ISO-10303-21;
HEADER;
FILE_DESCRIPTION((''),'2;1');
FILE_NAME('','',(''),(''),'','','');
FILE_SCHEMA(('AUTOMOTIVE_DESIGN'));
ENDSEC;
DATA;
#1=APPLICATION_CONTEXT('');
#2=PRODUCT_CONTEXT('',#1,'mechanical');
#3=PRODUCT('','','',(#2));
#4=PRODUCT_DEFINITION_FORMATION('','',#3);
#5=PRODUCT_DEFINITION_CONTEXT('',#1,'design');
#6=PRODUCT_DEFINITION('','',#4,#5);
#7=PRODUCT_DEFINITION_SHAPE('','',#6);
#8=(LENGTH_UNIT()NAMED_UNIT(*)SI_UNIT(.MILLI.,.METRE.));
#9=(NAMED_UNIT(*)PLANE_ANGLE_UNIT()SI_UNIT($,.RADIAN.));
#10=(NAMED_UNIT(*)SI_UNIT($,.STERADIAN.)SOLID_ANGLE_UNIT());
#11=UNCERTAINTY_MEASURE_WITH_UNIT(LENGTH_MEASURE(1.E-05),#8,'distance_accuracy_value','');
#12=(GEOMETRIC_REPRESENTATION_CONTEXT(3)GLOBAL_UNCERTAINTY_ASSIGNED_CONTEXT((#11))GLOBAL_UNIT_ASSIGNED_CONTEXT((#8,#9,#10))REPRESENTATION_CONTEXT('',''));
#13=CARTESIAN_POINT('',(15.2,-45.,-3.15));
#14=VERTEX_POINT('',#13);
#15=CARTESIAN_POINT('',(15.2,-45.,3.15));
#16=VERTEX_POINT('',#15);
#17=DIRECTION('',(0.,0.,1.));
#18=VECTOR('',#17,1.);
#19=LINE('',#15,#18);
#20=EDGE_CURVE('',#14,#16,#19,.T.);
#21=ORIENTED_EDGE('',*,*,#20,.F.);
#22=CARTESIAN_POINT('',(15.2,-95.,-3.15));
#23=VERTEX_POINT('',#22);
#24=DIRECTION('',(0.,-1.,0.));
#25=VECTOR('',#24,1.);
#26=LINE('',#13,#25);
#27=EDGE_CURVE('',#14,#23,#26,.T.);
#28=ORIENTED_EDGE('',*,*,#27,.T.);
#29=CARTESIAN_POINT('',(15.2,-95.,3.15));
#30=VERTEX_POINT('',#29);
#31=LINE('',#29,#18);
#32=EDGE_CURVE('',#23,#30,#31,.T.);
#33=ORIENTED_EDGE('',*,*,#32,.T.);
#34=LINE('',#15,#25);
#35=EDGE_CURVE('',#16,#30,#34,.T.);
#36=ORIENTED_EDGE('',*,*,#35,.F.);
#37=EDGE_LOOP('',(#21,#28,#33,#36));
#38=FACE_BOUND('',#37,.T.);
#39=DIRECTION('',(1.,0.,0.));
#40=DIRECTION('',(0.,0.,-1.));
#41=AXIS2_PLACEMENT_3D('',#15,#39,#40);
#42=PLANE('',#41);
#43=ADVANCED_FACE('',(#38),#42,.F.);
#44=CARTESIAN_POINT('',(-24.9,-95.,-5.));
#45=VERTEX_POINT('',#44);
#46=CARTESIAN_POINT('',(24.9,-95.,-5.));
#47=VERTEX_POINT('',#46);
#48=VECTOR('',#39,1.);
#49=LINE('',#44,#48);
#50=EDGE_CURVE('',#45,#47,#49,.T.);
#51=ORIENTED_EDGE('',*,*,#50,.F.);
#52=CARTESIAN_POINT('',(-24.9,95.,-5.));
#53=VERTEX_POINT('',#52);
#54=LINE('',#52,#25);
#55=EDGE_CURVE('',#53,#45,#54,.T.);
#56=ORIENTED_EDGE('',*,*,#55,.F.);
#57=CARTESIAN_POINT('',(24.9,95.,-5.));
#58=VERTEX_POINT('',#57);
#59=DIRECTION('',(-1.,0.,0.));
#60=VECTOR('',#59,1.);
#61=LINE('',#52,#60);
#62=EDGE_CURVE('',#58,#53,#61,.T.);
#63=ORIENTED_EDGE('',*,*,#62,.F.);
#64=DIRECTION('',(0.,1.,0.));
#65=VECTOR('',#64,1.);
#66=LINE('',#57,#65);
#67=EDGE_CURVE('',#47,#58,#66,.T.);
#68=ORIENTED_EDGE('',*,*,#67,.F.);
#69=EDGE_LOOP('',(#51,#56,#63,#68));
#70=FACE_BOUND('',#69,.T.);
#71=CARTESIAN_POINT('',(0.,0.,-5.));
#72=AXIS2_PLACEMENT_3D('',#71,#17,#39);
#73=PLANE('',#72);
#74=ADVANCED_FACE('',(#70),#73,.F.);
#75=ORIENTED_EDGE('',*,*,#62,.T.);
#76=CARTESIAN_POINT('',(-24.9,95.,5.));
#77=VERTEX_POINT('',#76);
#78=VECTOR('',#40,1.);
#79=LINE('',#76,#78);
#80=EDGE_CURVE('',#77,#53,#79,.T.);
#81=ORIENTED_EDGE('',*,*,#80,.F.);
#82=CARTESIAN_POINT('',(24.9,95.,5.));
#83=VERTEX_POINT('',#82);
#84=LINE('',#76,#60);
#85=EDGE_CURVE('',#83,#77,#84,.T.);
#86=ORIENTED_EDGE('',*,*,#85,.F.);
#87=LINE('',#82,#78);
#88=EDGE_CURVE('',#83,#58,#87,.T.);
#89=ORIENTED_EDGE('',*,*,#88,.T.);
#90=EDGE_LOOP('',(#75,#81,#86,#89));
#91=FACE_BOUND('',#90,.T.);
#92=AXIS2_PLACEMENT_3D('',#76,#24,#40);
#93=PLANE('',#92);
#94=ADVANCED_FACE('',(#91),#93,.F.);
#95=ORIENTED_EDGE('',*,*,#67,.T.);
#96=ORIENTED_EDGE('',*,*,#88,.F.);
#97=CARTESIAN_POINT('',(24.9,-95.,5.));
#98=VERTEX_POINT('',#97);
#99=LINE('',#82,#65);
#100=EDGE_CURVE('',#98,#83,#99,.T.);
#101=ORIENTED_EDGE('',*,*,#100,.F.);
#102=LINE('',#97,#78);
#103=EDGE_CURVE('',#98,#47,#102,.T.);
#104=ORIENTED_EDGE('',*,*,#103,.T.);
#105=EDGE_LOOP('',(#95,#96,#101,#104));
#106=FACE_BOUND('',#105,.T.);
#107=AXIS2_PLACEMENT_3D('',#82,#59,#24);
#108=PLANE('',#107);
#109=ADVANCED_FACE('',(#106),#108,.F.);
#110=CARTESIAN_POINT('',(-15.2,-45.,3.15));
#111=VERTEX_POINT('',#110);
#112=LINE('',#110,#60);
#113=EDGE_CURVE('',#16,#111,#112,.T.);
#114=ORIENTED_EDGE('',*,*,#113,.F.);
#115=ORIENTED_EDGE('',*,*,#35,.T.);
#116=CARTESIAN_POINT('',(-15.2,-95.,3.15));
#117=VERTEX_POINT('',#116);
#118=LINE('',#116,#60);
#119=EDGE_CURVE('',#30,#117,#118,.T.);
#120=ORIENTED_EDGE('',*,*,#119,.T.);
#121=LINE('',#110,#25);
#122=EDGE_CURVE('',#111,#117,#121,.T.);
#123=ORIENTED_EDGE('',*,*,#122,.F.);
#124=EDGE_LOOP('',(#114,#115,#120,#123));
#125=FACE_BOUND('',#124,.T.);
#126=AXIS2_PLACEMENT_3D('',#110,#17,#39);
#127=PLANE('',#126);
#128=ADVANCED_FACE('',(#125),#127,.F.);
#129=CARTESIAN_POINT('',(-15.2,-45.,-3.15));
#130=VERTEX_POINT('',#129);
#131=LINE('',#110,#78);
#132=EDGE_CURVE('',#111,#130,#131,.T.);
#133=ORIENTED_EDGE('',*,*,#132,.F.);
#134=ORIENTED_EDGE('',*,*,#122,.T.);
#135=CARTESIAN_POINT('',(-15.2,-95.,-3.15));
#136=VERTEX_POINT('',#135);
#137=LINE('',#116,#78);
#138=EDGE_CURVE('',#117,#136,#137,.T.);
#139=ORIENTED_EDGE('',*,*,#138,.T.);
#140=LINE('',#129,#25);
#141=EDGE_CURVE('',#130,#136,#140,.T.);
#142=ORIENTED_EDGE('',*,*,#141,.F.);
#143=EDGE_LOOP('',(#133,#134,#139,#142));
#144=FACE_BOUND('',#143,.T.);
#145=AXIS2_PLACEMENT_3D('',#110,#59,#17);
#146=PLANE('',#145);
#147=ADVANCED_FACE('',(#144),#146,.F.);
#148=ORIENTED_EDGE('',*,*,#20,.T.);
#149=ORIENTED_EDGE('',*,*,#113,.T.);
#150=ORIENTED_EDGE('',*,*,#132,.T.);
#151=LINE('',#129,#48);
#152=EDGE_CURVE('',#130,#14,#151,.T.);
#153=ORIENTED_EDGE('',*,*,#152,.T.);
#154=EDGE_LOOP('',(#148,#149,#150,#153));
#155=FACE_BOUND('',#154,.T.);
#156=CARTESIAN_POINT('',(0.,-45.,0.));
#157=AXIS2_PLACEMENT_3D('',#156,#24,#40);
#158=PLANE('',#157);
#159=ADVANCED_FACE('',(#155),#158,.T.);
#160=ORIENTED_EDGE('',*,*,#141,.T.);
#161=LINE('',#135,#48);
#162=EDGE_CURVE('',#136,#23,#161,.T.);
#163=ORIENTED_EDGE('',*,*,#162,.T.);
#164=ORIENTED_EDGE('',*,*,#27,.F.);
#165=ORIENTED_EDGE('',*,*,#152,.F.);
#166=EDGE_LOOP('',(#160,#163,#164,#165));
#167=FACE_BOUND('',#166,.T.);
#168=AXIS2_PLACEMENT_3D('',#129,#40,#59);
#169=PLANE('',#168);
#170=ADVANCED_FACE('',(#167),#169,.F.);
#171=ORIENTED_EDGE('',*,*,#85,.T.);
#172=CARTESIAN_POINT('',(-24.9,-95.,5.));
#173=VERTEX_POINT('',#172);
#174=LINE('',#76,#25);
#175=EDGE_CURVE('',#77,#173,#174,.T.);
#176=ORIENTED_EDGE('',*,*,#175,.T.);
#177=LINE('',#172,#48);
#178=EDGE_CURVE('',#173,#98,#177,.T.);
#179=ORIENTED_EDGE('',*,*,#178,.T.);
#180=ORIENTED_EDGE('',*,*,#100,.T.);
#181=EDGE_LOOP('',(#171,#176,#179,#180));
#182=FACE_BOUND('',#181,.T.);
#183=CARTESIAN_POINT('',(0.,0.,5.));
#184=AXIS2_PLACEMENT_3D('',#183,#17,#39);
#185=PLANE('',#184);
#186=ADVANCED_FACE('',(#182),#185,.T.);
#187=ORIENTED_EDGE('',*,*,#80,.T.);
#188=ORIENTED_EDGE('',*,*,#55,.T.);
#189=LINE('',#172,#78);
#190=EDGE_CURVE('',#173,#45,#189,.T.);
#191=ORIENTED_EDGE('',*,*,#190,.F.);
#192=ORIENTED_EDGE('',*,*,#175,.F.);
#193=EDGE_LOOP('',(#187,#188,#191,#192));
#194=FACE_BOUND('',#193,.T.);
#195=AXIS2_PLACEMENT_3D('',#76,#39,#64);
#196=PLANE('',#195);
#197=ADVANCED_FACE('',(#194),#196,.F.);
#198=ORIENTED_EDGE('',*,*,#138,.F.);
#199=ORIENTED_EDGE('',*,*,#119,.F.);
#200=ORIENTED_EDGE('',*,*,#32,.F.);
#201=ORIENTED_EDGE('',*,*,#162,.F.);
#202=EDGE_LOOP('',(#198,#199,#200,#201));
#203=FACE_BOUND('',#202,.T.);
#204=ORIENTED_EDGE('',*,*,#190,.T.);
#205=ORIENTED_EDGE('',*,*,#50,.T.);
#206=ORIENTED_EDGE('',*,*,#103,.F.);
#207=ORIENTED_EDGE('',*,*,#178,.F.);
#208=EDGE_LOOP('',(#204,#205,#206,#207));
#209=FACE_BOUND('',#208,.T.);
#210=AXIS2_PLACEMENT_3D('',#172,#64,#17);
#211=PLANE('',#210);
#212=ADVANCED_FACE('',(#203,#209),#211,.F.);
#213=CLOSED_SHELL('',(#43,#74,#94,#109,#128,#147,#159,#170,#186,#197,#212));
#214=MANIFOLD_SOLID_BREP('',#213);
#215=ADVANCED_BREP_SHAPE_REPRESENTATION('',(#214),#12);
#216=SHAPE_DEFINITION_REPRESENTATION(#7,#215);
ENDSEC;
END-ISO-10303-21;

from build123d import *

# Parameters (mm, degrees)
SKETCH_1_W          = 49.8
SKETCH_1_H          = 190
EXTRUDE_1_DEPTH     = 5
SKETCH_3_W          = 30.4
SKETCH_3_H          = 6.3
CUT_EXTRUDE_1_DEPTH = 50


with BuildPart() as part:
    # 草图1 → 凸台-拉伸1 (new, symmetric)
    with BuildSketch(Plane.XY):
        Rectangle(SKETCH_1_W, SKETCH_1_H)
    extrude(amount=EXTRUDE_1_DEPTH, both=True)

    # 草图3 → 切除-拉伸1 (cut)
    with BuildSketch(Plane.XZ.offset(95)):
        Rectangle(SKETCH_3_W, SKETCH_3_H)
    extrude(amount=-CUT_EXTRUDE_1_DEPTH, mode=Mode.SUBTRACT)


solid = part.part
